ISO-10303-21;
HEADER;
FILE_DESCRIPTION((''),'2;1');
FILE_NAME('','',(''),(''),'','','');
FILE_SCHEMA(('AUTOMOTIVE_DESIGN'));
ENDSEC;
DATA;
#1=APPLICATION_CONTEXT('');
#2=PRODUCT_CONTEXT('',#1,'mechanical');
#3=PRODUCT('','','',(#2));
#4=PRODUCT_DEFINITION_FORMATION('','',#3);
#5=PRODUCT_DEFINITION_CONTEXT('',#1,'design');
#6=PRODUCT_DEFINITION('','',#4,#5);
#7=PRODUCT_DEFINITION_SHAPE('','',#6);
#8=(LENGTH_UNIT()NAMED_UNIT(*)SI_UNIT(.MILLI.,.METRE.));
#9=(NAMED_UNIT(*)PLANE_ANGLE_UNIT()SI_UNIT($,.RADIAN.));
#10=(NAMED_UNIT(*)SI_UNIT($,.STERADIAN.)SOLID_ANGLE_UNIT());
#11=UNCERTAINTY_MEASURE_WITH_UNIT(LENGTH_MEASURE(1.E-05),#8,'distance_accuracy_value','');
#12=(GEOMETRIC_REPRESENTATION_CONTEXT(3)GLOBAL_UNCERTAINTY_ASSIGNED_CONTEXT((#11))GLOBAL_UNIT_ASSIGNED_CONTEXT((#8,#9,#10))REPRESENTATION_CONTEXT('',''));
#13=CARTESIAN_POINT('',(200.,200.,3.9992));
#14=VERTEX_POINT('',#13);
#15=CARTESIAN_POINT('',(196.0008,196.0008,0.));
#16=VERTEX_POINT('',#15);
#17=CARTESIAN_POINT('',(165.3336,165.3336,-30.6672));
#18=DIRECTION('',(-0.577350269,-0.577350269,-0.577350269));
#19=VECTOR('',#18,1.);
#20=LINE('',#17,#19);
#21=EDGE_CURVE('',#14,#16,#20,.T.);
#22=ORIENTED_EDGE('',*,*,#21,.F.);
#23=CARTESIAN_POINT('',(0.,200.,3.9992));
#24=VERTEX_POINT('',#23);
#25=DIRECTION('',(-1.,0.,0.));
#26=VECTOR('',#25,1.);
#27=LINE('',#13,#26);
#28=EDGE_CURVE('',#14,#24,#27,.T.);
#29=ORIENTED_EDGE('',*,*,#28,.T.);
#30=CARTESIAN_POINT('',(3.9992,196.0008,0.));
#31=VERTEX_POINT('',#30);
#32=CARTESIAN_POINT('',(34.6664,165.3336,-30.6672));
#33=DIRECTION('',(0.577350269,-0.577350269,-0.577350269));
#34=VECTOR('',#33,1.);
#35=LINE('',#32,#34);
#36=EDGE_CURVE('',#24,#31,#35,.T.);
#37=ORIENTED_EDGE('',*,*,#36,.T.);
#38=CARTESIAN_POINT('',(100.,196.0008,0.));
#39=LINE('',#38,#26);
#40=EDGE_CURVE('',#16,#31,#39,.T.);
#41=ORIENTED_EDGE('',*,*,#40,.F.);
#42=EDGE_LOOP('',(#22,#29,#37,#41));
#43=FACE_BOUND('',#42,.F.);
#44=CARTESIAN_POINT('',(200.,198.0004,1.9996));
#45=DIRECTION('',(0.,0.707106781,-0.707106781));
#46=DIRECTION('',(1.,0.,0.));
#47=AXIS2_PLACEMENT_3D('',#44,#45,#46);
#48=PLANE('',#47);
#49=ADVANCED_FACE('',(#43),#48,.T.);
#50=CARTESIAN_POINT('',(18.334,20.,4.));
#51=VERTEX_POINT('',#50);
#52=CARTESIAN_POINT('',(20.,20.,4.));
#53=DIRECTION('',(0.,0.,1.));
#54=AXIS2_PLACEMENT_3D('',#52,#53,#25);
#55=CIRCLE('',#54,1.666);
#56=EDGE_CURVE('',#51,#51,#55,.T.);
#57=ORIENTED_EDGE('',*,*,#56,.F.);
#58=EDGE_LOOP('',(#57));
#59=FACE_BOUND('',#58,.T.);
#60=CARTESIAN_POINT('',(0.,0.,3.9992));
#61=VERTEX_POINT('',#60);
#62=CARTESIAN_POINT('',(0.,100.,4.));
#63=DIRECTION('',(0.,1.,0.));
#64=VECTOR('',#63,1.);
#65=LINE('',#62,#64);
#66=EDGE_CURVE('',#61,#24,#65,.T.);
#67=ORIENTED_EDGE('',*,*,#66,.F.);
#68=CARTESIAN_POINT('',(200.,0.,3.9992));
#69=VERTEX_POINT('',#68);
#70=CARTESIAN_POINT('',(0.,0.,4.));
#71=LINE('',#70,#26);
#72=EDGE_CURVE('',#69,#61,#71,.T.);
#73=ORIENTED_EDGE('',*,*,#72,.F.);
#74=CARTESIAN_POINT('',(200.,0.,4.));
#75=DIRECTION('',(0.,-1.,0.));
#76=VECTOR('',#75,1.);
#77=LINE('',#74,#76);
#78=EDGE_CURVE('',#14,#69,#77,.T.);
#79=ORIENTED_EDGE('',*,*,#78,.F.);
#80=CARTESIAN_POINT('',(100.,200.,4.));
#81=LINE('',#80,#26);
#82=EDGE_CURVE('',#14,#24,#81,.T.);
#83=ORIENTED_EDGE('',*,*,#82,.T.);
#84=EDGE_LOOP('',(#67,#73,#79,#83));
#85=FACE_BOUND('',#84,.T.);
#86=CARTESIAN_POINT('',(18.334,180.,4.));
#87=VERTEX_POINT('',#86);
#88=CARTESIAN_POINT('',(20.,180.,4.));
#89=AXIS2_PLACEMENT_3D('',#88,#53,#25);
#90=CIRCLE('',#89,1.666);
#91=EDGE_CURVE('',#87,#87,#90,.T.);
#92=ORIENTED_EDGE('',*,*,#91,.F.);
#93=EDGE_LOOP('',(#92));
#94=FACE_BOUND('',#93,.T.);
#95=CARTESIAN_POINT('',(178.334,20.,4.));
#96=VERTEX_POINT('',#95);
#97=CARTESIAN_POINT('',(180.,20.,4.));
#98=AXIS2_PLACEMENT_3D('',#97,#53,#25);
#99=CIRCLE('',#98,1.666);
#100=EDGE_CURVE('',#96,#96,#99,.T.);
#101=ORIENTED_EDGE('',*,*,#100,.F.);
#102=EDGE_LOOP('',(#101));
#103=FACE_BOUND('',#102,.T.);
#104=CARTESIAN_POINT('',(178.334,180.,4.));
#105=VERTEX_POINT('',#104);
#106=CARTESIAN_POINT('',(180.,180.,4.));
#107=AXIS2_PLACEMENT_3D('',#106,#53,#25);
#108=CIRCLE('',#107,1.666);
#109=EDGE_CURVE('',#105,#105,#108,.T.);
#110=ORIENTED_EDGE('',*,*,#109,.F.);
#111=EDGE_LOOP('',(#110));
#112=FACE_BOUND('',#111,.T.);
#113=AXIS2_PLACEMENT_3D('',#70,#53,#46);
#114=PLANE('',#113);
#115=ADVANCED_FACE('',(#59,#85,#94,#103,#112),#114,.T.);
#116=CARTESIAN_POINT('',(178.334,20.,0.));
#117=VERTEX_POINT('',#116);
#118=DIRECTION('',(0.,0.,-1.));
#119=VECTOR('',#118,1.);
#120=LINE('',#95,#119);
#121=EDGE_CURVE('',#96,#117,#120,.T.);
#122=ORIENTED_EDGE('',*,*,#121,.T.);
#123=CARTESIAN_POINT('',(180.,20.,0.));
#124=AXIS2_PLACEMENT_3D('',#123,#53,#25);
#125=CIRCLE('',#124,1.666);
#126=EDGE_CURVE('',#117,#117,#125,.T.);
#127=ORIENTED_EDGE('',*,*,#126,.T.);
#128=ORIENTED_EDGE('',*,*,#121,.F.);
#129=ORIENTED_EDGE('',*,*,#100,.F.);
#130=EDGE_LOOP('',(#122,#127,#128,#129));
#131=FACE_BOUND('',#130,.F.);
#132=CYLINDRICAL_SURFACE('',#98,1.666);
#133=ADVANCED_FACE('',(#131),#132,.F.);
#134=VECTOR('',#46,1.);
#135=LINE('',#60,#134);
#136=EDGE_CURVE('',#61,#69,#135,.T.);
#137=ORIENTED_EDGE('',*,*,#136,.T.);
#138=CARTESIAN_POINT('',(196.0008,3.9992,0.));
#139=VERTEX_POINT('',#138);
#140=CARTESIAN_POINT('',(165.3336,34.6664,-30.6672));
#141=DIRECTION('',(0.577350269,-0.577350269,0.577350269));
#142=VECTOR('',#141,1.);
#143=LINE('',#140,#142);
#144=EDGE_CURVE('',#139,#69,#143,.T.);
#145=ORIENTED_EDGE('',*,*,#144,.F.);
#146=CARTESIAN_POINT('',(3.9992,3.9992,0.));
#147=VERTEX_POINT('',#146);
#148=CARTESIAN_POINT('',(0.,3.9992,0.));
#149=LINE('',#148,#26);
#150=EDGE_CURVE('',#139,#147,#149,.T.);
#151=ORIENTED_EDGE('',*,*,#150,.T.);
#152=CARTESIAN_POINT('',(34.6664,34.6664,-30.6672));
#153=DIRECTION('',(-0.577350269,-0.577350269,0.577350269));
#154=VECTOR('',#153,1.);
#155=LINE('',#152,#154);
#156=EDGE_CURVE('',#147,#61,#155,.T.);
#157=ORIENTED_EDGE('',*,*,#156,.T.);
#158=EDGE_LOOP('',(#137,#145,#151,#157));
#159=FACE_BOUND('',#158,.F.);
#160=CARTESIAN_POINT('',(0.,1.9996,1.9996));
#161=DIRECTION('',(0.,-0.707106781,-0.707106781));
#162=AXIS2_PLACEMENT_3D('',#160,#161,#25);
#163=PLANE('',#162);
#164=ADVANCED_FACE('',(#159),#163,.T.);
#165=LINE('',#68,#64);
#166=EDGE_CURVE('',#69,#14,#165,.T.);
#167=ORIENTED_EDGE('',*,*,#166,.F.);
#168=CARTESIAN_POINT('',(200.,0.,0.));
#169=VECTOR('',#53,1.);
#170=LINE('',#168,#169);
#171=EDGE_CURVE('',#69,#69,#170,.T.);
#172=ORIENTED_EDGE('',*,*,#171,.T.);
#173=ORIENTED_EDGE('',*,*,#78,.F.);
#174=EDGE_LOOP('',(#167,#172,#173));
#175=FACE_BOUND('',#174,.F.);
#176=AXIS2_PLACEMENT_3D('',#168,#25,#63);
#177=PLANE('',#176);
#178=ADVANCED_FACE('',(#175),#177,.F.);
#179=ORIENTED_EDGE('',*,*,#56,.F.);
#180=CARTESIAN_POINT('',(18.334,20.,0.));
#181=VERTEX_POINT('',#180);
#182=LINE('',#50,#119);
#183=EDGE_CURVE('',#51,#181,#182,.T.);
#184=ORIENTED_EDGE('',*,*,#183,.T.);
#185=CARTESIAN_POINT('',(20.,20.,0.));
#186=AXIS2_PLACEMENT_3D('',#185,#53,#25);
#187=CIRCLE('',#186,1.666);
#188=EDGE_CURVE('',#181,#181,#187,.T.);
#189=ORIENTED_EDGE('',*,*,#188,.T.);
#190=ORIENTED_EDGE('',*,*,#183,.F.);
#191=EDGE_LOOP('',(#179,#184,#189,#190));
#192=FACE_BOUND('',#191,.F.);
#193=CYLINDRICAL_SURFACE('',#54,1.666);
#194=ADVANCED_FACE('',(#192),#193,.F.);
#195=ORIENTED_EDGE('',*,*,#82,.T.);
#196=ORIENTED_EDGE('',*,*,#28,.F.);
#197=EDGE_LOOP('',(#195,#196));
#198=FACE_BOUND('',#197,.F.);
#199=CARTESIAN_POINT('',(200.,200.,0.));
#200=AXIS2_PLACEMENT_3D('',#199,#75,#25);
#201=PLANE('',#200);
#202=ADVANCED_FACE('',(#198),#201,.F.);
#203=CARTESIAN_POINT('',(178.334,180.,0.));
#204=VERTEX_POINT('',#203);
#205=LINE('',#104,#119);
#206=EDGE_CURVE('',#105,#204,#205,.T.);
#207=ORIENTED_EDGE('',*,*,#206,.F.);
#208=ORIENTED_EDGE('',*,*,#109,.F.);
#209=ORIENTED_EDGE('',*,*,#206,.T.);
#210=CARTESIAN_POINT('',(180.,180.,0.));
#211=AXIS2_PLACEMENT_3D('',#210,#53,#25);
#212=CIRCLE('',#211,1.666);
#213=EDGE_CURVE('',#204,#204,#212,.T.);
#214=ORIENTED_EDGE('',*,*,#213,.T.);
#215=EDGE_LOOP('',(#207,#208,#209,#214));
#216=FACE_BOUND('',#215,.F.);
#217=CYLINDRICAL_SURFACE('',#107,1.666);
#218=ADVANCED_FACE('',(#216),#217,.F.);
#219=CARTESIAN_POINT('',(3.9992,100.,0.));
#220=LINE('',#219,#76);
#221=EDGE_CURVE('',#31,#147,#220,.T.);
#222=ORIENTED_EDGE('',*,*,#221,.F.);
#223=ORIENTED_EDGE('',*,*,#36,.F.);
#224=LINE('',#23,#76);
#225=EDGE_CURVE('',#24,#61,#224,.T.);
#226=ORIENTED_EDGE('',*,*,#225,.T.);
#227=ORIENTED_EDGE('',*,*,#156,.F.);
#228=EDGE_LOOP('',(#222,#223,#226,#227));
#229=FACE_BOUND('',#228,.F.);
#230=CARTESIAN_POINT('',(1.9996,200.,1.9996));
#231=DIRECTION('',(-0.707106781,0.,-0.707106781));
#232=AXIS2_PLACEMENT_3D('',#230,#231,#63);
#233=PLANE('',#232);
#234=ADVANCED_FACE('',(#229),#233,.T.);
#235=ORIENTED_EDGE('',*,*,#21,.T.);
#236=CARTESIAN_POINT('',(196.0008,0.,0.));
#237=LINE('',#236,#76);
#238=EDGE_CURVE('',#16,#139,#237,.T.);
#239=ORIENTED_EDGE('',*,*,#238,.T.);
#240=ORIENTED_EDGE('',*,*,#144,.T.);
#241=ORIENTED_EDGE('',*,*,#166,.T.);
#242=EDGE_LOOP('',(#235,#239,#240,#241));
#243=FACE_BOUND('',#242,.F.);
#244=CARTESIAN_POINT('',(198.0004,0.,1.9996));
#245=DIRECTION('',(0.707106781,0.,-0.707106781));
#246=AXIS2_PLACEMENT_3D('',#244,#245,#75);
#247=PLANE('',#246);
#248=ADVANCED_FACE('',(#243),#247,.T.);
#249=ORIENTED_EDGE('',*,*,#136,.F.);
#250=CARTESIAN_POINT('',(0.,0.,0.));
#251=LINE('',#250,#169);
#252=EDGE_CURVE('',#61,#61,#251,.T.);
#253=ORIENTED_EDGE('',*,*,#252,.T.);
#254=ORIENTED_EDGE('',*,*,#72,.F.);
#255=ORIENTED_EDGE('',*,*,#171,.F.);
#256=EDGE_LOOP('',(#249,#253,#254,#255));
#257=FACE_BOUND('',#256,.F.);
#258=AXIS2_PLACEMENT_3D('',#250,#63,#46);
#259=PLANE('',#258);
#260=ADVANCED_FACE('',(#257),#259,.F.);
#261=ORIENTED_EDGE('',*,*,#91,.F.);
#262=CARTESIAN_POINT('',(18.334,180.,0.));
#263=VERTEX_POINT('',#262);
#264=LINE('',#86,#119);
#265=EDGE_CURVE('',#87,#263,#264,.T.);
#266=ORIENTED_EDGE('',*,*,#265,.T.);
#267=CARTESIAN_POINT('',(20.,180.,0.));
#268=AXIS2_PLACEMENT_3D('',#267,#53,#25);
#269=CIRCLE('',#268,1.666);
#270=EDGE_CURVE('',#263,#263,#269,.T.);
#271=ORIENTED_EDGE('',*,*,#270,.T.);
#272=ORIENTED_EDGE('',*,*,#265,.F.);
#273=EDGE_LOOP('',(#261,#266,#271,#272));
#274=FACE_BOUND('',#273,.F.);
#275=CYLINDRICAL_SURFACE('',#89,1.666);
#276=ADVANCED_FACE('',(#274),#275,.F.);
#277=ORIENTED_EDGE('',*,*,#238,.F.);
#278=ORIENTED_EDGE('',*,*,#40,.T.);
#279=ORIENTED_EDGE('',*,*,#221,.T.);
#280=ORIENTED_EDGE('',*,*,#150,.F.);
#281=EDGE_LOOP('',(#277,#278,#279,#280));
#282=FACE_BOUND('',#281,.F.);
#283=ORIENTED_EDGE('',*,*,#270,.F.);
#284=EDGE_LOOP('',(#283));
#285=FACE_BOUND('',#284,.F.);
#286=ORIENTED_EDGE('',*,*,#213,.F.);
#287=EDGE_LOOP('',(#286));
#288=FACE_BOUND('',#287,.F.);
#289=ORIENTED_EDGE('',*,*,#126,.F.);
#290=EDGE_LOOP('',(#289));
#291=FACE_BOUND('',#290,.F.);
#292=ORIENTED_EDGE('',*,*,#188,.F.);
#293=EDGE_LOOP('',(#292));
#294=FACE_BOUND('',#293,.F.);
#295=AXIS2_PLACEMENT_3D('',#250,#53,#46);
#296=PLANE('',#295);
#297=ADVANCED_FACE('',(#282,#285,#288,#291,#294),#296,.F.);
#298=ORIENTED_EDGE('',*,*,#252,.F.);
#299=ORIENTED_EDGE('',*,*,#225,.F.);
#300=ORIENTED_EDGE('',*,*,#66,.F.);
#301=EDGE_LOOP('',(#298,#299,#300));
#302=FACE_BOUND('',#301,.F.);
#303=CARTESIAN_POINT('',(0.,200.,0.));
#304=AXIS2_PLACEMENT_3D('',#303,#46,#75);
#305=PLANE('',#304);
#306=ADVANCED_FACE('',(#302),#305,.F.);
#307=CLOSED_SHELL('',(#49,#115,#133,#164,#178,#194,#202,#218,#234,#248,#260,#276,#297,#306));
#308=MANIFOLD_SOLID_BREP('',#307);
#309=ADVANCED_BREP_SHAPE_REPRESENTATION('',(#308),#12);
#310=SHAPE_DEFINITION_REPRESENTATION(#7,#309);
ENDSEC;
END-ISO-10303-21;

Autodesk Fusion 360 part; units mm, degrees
sketch "Esquisse1" plane through (0, 0, 0) normal (0, 0, 1) x (1, 0, 0)
  line L0 (0, 0) -> (200, 0)
  line L1 (200, 0) -> (200, 200)
  line L2 (200, 200) -> (0, 200)
  line L3 (0, 200) -> (0, 0)
  dimension "d18" = 200
  dimension "d19" = 200
extrude "Extrusion1" add sketch "Esquisse1" along normal blind 4
chamfer "Chanfrein1" distance 4 angle 45 1 faces at (66.6667, 133.3333, 0)
sketch "Esquisse2" plane through (0, 0, 4) normal (0, 0, 1) x (-1, 0, 0)
  circle A0 centre (-20, -180) radius 1.5
  circle A1 centre (-180, -180) radius 1.5
  circle A2 centre (-180, -20) radius 1.5
  circle A3 centre (-20, -20) radius 1.5
  line L0 (0, 0) -> (-20, -20)
  line L1 (-200, 0) -> (-180, -20)
  line L2 (-200, 0) -> (-297.1716, 0) construction
  line L3 (0, -200) -> (-20, -180)
  line L4 (-200, -200) -> (-180, -180)
  line L5 (-200, -200) -> (-297.1716, -200) construction
  line L6 (0, -200) -> (0, 0)
  line L7 (0, 0) -> (-200, 0)
  line L8 (-200, 0) -> (-200, -200)
  line L9 (-200, -200) -> (0, -200)
  dimension "d10" = 3
  dimension "d11" = 3
  dimension "d12" = 3
  dimension "d13" = 3
  dimension "d20" = 28.2843
  dimension "d22" = 45
  dimension "d23" = 28.2843
  dimension "d24" = 28.2843
  dimension "d25" = 28.2843
  dimension "d26" = 45
extrude "Extrusion2" cut sketch "Esquisse2" against normal blind 14 contours A0 | A1 | A2 | A3
thread "Filetage1" "ISO Metric profile 4.0 M4x0.7 M4x0.7 6H" major diameter 4.1095 minor diameter 3.332 pitch 0.7 angle 60 resizes the face on face at (21.4536, 179.6299, 2.6667)
thread "Filetage2" "ISO Metric profile 4.0 M4x0.7 M4x0.7 6H" major diameter 4.1095 minor diameter 3.332 pitch 0.7 angle 60 resizes the face on face at (21.4925, 20.1494, 1.3333)
thread "Filetage3" "ISO Metric profile 4.0 M4x0.7 M4x0.7 6H" major diameter 4.1095 minor diameter 3.332 pitch 0.7 angle 60 resizes the face on face at (179.3157, 18.6652, 2.6667)
thread "Filetage4" "ISO Metric profile 4.0 M4x0.7 M4x0.7 6H" major diameter 4.1095 minor diameter 3.332 pitch 0.7 angle 60 resizes the face on face at (179.1244, 178.7821, 1.3333)
equation "d20 = ( sqrt(800) ) * 1 mm"
equation "d23 = ( sqrt(800) ) * 1 mm"
equation "d24 = ( sqrt(800) ) * 1 mm"
equation "d25 = ( sqrt(800) ) * 1 mm"
